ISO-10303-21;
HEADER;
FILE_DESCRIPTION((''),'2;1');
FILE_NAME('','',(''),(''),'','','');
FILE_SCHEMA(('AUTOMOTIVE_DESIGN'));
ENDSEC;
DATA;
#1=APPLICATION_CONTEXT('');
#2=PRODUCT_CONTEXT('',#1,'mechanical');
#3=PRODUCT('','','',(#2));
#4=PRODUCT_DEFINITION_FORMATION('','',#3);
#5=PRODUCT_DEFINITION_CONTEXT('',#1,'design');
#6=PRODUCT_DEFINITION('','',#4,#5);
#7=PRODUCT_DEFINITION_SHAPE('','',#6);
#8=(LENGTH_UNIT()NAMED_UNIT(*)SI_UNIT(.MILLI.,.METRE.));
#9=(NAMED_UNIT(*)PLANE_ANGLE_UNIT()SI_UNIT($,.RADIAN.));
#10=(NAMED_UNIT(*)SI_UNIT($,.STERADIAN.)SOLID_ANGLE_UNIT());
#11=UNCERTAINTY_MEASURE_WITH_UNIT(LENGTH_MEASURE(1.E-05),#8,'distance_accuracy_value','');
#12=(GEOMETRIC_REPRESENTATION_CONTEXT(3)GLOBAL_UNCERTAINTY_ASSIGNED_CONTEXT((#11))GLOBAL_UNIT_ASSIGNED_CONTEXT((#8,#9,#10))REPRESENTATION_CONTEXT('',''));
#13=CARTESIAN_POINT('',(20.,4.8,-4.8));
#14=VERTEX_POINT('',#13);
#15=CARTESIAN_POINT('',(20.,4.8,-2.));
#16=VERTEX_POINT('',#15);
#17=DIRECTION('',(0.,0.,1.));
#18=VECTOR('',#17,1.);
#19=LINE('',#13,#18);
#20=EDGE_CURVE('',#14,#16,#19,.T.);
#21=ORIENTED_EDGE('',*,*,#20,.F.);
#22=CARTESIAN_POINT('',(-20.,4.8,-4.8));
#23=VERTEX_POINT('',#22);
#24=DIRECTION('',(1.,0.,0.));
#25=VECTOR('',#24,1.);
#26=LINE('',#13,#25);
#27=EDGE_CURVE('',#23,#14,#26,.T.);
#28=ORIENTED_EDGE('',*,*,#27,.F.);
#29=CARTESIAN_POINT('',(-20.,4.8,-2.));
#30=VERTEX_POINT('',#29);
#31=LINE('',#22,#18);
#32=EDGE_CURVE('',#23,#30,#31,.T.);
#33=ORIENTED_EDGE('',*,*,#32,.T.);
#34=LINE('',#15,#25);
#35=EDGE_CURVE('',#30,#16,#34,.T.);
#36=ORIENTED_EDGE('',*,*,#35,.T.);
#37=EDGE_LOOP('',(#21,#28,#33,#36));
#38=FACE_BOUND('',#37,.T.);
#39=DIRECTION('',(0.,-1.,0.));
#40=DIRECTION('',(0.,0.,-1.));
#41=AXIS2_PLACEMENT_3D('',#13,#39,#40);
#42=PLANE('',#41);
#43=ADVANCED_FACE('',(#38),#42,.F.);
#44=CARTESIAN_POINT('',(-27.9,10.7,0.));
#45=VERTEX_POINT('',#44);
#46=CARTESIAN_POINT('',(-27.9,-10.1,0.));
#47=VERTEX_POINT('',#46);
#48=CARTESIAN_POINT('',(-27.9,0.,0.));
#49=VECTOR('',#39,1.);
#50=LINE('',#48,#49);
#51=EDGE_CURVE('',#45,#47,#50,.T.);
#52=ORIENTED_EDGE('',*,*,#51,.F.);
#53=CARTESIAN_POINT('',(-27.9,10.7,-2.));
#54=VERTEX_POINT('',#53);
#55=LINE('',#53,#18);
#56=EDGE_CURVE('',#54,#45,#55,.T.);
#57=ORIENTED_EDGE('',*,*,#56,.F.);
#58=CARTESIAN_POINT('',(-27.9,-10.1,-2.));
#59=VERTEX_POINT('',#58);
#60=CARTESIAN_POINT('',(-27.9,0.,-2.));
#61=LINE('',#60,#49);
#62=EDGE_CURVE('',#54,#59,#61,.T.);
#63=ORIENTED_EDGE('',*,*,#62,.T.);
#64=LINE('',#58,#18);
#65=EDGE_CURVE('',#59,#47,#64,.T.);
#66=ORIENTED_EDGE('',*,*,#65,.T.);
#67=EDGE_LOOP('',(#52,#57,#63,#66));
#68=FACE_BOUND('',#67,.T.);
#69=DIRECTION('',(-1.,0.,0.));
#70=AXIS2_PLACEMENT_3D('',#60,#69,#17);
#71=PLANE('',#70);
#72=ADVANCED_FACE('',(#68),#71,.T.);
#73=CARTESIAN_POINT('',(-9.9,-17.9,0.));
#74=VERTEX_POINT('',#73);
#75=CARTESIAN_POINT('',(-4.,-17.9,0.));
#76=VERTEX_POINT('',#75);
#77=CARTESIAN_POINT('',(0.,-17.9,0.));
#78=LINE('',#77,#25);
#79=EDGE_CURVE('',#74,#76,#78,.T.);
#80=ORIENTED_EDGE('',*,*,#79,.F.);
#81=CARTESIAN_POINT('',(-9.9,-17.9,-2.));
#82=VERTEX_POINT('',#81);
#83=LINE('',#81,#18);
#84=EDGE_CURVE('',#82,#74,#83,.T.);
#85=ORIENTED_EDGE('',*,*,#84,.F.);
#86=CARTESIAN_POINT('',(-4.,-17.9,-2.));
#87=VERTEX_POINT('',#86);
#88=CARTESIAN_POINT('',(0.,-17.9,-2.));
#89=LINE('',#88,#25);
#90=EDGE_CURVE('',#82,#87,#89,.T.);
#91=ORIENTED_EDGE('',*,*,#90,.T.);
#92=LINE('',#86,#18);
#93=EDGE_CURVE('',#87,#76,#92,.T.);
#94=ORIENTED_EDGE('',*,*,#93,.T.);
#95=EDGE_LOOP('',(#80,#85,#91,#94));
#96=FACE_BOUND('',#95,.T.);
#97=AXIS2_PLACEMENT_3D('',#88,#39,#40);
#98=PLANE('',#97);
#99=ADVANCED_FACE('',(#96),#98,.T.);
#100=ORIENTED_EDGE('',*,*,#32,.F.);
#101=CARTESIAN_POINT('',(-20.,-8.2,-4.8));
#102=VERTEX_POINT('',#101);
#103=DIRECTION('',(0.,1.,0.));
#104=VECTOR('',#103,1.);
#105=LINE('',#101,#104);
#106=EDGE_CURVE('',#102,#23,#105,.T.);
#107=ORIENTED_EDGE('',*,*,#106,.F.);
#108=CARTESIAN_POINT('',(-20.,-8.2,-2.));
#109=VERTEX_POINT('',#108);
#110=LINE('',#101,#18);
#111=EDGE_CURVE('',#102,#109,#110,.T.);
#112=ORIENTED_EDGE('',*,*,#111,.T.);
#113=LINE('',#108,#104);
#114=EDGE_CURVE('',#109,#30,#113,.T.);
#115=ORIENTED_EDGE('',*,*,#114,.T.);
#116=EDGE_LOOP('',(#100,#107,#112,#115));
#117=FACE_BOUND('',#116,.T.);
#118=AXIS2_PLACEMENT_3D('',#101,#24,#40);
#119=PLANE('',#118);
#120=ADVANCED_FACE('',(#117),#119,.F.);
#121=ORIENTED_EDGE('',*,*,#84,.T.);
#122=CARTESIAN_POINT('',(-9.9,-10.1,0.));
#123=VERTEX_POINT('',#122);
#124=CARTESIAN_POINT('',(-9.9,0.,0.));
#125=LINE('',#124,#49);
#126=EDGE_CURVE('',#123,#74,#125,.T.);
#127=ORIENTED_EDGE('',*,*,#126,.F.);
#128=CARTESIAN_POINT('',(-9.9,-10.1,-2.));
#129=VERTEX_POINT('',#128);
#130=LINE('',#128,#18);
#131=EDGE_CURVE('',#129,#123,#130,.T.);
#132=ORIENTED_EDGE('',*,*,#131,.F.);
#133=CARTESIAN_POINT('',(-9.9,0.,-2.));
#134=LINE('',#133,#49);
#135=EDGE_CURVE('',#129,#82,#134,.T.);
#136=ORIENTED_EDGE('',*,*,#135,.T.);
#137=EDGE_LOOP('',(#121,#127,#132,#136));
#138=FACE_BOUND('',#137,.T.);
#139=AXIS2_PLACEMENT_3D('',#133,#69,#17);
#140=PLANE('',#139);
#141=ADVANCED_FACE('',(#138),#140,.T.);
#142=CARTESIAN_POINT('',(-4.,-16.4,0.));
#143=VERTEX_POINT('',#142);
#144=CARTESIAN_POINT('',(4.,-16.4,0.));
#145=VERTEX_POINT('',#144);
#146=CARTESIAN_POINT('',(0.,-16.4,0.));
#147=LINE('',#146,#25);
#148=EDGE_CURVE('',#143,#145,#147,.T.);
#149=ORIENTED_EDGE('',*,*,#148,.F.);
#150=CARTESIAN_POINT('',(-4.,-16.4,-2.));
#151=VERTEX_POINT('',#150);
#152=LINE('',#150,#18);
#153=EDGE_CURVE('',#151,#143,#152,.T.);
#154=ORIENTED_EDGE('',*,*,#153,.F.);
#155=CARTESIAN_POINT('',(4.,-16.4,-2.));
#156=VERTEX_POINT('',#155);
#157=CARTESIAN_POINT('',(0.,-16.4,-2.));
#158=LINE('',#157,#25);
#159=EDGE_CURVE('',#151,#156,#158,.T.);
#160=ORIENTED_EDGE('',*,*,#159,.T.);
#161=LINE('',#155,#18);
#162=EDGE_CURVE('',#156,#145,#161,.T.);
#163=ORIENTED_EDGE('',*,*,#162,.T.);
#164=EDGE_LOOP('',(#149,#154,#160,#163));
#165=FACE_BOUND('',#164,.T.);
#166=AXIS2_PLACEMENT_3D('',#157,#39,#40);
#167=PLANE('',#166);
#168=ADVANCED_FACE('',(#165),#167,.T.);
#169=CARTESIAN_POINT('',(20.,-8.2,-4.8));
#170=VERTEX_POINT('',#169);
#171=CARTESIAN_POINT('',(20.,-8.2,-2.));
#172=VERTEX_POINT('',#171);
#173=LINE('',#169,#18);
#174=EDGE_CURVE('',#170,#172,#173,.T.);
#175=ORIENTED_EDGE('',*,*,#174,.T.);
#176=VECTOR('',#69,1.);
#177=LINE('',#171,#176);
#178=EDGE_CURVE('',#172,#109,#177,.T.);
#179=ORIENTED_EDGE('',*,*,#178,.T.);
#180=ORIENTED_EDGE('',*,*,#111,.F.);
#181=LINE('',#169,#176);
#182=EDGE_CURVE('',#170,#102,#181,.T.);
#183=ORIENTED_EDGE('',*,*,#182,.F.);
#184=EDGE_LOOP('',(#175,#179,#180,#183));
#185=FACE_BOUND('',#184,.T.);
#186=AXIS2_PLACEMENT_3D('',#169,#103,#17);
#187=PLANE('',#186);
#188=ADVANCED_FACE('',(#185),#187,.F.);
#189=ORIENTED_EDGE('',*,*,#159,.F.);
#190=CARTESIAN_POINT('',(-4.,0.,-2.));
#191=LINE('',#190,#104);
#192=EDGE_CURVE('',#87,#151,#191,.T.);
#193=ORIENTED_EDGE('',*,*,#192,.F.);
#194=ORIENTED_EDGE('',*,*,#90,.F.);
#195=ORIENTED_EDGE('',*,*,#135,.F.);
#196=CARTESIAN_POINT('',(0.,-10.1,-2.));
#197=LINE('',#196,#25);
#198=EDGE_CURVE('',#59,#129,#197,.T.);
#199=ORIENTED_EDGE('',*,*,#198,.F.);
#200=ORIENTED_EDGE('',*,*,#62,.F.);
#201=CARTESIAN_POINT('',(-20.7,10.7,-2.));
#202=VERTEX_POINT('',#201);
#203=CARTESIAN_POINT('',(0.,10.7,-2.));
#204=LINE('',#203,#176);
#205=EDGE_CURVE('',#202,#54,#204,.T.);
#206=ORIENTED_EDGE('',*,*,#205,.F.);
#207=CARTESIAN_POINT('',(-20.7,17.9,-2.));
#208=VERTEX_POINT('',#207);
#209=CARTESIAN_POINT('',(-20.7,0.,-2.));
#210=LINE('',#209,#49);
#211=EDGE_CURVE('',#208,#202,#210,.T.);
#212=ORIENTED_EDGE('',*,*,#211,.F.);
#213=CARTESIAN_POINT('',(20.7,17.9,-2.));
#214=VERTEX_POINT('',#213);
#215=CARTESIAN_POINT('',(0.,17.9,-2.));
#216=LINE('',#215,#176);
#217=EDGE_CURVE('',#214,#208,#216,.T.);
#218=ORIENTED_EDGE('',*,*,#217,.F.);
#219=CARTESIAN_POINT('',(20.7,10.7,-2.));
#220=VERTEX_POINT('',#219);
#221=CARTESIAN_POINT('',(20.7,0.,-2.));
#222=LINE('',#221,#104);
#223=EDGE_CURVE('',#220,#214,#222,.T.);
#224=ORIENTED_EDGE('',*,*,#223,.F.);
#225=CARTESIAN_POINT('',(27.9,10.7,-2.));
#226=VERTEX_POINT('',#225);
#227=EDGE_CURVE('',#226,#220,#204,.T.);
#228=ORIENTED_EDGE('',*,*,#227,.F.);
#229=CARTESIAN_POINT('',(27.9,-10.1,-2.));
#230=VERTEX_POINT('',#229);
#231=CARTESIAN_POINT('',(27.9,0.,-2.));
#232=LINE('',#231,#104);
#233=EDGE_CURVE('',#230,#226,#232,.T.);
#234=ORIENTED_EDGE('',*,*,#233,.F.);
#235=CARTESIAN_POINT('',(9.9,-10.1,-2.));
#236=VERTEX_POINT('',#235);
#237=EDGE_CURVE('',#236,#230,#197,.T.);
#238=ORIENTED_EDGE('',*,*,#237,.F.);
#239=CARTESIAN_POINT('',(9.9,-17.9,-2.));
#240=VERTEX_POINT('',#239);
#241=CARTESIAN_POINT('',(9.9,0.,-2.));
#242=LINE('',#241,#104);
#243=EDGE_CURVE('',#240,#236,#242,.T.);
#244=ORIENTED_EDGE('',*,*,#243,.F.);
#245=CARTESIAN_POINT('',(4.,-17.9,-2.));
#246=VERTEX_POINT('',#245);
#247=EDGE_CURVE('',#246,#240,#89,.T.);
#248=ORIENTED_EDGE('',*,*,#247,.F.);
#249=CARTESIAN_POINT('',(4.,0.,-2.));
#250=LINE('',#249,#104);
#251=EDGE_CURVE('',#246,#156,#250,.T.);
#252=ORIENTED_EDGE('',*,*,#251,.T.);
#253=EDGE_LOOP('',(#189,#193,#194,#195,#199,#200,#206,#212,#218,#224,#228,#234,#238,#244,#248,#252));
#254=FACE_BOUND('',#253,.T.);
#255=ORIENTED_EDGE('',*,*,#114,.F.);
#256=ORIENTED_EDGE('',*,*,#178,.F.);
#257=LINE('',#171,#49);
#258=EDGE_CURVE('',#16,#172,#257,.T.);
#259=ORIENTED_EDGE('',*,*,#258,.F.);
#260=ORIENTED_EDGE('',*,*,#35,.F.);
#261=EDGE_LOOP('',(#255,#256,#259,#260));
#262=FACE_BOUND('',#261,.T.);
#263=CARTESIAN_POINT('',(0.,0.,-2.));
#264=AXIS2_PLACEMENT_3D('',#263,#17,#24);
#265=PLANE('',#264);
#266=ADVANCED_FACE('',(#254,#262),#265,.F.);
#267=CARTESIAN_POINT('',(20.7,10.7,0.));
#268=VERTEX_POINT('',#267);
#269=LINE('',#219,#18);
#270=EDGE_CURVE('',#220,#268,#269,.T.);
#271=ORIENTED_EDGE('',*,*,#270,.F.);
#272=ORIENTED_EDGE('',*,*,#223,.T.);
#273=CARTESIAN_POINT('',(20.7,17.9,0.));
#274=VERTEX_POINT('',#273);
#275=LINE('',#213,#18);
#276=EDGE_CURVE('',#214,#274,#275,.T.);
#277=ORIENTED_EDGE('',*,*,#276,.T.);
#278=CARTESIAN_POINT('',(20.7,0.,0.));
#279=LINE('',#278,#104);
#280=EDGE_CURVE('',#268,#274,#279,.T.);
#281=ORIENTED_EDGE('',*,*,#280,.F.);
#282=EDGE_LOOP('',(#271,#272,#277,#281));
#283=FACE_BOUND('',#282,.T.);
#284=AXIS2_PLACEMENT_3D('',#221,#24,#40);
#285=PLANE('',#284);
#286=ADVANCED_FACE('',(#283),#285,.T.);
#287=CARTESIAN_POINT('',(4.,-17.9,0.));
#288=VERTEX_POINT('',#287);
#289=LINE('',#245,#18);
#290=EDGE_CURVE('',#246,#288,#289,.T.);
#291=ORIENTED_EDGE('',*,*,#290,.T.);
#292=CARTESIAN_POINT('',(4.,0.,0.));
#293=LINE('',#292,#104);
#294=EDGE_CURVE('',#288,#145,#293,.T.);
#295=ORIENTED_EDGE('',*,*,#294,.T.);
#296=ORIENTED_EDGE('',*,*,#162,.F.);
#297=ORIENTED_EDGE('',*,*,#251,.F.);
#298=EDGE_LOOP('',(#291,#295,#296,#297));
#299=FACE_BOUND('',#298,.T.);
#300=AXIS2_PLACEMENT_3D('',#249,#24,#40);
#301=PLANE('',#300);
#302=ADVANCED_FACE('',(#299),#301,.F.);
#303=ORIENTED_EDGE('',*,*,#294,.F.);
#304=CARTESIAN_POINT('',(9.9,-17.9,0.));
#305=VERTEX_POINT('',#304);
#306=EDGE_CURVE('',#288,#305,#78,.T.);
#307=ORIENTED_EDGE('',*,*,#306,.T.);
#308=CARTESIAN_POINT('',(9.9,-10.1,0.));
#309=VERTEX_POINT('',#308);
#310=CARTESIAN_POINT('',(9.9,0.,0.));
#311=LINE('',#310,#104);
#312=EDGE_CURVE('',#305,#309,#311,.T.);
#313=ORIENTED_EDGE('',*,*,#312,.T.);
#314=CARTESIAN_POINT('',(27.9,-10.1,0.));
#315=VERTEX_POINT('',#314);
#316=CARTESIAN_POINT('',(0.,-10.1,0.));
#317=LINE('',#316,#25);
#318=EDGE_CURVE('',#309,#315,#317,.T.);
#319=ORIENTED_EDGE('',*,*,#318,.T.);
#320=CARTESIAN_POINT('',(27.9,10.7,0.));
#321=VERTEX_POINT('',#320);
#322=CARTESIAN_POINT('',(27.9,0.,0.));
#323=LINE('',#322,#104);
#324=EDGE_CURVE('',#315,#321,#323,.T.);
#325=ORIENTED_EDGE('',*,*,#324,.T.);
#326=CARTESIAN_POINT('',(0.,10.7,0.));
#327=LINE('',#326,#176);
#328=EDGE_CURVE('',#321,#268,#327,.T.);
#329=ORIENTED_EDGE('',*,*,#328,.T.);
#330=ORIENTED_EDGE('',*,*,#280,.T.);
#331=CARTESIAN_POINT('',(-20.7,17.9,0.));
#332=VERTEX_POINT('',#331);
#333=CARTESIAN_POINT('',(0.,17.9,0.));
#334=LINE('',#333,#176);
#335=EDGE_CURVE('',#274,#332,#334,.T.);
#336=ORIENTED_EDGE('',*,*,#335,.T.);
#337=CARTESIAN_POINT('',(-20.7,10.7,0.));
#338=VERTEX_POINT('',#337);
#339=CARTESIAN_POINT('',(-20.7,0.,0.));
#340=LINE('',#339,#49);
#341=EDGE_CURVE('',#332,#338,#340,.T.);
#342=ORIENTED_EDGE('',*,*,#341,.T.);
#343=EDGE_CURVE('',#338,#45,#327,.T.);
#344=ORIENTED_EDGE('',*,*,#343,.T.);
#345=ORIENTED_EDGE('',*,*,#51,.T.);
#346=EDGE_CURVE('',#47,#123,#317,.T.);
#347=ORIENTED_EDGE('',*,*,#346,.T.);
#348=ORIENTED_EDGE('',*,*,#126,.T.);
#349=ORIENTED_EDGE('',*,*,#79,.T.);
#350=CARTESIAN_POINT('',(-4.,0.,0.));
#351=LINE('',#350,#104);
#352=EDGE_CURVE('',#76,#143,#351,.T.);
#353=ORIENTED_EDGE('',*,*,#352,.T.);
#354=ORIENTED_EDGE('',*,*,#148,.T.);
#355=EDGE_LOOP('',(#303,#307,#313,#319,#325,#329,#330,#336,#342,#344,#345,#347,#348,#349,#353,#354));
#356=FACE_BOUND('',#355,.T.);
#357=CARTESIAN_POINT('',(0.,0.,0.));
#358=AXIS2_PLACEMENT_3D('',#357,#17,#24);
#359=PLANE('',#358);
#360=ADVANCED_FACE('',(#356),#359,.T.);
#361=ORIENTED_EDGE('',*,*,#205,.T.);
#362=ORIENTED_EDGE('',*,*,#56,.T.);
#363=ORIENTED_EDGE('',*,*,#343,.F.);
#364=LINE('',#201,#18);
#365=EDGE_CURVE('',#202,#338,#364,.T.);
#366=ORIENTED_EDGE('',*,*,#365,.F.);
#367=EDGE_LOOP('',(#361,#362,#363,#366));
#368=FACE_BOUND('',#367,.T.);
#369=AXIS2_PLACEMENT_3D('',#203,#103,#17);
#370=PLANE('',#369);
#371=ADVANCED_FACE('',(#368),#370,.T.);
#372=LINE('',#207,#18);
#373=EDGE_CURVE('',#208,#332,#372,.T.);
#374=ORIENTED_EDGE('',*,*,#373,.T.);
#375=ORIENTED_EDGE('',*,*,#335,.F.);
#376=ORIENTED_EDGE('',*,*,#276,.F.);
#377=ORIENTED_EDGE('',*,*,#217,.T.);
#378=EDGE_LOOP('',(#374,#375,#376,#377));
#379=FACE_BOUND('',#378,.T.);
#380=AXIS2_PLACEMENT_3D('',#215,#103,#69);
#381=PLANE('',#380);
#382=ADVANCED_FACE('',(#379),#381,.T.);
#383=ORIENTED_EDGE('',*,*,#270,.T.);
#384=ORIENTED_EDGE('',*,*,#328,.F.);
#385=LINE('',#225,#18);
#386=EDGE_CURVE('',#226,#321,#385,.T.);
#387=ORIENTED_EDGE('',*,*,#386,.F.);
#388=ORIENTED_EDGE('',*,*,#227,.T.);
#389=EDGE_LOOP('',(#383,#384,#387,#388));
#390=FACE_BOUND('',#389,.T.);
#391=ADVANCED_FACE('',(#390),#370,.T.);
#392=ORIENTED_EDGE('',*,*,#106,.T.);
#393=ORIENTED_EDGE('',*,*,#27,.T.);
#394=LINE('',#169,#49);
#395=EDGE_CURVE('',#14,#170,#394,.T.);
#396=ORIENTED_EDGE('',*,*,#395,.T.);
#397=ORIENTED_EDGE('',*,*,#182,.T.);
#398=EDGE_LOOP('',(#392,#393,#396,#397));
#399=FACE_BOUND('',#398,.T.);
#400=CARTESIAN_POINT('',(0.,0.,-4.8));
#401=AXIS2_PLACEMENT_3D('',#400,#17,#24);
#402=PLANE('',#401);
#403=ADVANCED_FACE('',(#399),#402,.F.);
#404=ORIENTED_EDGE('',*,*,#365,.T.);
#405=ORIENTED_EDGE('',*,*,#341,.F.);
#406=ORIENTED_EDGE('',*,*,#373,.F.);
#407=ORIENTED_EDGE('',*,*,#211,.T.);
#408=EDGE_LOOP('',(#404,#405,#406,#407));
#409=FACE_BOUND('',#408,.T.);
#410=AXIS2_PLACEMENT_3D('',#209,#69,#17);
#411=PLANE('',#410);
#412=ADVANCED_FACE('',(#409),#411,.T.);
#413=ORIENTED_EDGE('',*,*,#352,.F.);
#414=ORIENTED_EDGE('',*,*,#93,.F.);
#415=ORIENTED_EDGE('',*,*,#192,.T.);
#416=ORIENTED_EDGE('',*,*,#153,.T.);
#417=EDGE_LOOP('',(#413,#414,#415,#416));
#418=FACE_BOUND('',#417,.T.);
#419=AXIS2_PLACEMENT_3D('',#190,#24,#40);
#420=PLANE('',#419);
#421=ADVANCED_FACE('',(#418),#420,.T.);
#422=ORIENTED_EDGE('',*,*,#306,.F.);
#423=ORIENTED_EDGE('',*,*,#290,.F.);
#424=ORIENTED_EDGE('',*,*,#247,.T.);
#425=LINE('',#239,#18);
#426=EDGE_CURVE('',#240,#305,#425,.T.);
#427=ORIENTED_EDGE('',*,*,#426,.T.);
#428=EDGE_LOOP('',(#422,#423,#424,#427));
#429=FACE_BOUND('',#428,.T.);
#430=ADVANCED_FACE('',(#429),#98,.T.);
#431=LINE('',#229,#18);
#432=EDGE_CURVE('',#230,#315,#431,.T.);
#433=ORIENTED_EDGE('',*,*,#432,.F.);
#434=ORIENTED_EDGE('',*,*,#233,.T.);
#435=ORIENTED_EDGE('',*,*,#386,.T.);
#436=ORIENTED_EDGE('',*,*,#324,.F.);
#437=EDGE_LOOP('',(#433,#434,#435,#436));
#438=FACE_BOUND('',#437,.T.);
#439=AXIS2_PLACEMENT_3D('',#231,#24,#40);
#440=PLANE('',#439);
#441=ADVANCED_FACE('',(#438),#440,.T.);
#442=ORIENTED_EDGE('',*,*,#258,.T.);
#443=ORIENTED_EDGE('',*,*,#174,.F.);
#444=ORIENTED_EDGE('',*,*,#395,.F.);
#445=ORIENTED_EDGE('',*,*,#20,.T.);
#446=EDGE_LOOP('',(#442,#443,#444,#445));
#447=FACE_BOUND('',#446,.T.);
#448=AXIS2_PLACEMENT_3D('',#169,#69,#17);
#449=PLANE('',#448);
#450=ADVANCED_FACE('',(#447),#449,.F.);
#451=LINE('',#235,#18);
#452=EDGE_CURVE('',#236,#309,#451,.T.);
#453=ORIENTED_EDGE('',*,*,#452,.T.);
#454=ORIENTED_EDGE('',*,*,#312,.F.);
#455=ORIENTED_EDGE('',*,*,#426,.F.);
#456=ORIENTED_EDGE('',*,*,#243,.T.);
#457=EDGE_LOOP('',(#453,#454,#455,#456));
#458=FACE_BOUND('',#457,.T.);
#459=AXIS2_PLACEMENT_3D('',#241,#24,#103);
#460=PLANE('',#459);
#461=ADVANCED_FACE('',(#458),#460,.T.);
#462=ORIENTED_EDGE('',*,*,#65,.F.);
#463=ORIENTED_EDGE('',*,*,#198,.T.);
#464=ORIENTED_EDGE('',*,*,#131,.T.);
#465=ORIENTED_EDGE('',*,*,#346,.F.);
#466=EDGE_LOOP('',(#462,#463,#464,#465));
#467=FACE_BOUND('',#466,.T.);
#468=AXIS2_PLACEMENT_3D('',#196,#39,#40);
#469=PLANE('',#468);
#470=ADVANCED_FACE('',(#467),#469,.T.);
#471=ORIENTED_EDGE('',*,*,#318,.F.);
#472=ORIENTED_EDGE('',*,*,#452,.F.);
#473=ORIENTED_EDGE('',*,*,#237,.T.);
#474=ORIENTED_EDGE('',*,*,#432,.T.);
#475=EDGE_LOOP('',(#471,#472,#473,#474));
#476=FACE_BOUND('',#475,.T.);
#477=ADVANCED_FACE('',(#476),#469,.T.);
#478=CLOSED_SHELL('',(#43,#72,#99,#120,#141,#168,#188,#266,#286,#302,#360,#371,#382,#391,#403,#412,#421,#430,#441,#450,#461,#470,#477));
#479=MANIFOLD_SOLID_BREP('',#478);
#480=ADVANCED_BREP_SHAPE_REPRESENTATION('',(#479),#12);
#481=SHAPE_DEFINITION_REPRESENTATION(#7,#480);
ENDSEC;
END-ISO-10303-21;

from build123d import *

# Parameters (mm, degrees)
BOSS_EXTRUDE1_DEPTH = 2
SKETCH2_W           = 40
SKETCH2_H           = 13
BOSS_EXTRUDE2_DEPTH = 2.8


with BuildPart() as part:
    # Sketch1 → Boss-Extrude1 (new body)
    with BuildSketch(Plane.XY):
        Polygon((-9.9, -17.9), (-4, -17.9), (-4, -16.4), (4, -16.4), (4, -17.9), (9.9, -17.9), (9.9, -10.1), (27.9, -10.1), (27.9, 10.7), (20.7, 10.7), (20.7, 17.9), (-20.7, 17.9), (-20.7, 10.7), (-27.9, 10.7), (-27.9, -10.1), (-9.9, -10.1), align=None)
    extrude(amount=-BOSS_EXTRUDE1_DEPTH)

    # Sketch2 → Boss-Extrude2 (add)
    with BuildSketch(Plane(origin=(0, 0, -2), x_dir=(-1, 0, 0), z_dir=(0, 0, -1))):
        with Locations((0, -1.7)):
            Rectangle(SKETCH2_W, SKETCH2_H)
    extrude(amount=BOSS_EXTRUDE2_DEPTH)


solid = part.part
